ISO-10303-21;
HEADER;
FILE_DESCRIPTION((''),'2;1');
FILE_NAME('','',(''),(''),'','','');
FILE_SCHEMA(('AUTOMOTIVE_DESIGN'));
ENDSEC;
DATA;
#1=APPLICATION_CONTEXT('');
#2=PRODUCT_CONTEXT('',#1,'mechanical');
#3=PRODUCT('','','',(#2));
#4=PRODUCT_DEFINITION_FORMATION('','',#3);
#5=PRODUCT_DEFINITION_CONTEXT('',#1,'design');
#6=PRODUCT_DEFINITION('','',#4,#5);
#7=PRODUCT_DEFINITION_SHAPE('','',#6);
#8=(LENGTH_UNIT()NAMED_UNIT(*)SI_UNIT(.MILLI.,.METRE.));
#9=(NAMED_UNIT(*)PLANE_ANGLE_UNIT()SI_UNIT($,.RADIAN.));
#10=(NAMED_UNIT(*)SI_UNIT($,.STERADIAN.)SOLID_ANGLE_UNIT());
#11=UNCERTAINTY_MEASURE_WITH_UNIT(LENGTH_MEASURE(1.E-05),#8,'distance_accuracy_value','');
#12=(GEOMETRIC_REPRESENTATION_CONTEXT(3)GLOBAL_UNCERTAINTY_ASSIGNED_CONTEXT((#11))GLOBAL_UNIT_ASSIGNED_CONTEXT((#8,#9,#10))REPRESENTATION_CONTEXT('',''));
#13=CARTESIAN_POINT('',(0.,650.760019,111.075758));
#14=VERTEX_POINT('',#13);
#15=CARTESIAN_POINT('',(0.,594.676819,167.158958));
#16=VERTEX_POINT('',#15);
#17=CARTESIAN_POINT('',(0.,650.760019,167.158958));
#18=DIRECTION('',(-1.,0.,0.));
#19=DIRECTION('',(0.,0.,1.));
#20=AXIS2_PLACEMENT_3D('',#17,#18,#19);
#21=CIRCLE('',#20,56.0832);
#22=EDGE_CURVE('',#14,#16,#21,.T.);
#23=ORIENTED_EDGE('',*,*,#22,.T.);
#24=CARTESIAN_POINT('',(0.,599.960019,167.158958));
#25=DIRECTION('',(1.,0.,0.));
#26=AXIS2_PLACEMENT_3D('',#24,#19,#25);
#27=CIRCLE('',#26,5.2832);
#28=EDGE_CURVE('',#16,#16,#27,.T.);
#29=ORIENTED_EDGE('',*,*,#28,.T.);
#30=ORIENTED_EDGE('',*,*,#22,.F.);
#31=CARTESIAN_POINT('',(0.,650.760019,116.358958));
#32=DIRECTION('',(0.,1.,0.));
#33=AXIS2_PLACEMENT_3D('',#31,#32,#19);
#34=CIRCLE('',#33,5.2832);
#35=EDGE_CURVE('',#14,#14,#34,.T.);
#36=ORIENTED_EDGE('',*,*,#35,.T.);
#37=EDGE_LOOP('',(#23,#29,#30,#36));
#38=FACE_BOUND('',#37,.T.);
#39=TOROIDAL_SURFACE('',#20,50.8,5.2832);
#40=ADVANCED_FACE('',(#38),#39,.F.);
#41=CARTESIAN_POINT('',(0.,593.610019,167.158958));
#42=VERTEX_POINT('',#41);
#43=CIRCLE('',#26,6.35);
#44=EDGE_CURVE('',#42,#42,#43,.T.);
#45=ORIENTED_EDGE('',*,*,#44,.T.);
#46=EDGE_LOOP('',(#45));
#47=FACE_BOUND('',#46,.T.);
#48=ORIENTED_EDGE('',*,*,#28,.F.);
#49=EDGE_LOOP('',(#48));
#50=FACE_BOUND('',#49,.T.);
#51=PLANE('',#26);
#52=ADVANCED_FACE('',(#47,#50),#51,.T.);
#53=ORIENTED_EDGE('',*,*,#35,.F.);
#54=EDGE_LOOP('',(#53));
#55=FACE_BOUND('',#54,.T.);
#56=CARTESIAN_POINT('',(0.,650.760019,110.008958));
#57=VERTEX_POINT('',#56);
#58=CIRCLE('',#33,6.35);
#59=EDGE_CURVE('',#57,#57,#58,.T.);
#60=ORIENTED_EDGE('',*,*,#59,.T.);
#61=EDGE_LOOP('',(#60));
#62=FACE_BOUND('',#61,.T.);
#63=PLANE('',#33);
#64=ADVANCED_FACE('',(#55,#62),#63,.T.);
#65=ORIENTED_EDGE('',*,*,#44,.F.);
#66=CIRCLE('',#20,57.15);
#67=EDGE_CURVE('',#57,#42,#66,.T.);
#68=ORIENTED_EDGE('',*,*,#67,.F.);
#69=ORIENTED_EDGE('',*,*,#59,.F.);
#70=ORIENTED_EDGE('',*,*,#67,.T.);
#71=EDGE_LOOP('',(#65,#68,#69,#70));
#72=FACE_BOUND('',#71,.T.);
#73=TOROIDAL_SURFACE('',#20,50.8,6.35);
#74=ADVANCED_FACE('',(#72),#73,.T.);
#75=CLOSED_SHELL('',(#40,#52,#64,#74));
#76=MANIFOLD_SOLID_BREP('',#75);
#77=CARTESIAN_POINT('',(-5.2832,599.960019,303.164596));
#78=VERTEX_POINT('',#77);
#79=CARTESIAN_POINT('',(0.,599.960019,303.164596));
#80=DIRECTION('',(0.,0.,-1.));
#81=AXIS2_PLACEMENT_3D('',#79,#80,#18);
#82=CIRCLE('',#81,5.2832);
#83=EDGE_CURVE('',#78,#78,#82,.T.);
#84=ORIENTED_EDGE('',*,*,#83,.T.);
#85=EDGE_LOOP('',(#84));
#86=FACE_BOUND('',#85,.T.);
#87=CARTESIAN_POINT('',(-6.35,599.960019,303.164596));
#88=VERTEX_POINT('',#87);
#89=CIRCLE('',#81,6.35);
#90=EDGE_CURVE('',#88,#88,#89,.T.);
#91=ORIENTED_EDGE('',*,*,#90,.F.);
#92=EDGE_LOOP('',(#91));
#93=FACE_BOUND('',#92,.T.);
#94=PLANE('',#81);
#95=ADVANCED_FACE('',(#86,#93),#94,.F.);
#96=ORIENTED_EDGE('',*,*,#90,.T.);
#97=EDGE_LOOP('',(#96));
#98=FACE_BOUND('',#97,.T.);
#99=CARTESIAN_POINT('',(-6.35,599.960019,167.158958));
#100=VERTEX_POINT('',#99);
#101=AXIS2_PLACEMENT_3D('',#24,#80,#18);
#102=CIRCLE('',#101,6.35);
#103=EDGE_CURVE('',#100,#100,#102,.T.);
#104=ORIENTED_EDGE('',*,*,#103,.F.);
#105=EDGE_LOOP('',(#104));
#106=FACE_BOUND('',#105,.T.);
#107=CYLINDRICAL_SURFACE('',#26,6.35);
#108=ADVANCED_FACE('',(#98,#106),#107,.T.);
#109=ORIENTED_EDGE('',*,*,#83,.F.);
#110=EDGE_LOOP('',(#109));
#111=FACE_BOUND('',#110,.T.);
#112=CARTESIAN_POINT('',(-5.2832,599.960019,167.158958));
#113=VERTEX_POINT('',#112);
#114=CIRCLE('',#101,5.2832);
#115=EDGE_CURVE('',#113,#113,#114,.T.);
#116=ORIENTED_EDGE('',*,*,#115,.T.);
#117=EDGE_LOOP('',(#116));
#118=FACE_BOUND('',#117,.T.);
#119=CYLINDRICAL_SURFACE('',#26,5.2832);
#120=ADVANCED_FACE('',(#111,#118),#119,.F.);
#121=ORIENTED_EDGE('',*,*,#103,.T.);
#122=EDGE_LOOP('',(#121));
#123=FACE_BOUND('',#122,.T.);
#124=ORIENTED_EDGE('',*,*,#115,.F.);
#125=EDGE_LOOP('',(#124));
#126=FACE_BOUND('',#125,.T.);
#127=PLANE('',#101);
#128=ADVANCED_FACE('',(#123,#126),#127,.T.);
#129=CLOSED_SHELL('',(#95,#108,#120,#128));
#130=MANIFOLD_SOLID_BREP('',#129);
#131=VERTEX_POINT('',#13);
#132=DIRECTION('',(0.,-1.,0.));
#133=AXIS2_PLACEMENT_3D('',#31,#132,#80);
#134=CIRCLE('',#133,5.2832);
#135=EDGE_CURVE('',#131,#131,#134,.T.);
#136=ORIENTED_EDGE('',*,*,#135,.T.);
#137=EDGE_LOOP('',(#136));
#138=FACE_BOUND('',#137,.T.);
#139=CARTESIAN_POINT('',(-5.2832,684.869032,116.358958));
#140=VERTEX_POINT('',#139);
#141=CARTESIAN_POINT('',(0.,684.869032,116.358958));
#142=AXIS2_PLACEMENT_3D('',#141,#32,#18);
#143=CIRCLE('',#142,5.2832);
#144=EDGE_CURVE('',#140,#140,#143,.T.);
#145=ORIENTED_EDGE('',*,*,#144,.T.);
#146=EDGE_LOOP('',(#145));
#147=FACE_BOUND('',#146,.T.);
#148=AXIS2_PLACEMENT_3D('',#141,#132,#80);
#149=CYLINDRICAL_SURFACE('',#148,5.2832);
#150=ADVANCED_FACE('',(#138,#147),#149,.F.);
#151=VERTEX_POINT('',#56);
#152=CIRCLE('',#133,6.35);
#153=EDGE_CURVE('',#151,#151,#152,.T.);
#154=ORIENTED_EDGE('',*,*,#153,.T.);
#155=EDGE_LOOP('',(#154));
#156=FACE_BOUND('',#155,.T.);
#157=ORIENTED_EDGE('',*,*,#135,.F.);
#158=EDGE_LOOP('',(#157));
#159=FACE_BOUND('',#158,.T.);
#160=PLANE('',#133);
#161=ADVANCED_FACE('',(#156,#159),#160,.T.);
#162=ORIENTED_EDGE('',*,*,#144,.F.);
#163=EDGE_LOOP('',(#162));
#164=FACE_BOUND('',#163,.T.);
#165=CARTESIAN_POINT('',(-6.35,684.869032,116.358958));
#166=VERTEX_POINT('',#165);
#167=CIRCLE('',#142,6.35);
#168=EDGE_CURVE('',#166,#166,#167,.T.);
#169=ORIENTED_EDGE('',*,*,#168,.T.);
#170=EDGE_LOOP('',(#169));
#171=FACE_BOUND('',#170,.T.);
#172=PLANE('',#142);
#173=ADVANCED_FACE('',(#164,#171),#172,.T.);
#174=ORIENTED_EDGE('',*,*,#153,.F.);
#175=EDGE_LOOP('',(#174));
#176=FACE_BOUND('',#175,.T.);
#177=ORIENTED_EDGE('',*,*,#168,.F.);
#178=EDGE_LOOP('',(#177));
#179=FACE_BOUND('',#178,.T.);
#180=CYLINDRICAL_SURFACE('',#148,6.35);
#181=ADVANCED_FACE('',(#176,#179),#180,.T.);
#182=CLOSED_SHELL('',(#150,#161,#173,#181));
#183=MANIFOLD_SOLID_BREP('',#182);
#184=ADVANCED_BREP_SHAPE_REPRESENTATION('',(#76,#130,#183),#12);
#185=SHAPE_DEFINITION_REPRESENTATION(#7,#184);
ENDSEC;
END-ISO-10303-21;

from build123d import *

# Parameters (mm, degrees)
SKETCH11_R                = 6.35
SKETCH11_R_2              = 5.2832
PIPE_0_5_SCH_40_1_DEPTH   = 136.005637638
SKETCH11_ON_SEGMENT_2_R   = 6.35
SKETCH11_ON_SEGMENT_2_R_2 = 5.2832
PIPE_0_5_SCH_40_1_2_ANGLE = 90
SKETCH11_ON_SEGMENT_3_R   = 6.35
SKETCH11_ON_SEGMENT_3_R_2 = 5.2832
PIPE_0_5_SCH_40_1_3_DEPTH = 34.109012351


with BuildPart() as part:
    # Sketch11 → Pipe 0.5 SCH 40(1) (new body)
    with BuildSketch(Plane(origin=(0, 599.960019272, 303.164595711), x_dir=(0, 1, 0), z_dir=(0, 0, -1))):
        Circle(SKETCH11_R)
        Circle(SKETCH11_R_2, mode=Mode.SUBTRACT)
    extrude(amount=PIPE_0_5_SCH_40_1_DEPTH)


with BuildPart() as body_2:
    # Sketch11 on segment 2 (carried to the start of arc 2) → Pipe 0.5 SCH 40_1 2 (revolve)
    with BuildSketch(Plane(origin=(0, 599.960019272, 167.158958073), x_dir=(0, 1, 0), z_dir=(0, 0, -1))):
        Circle(SKETCH11_ON_SEGMENT_2_R)
        Circle(SKETCH11_ON_SEGMENT_2_R_2, mode=Mode.SUBTRACT)
    revolve(axis=Axis((0, 650.760019272, 167.158958073), (1, 0, 0)), revolution_arc=PIPE_0_5_SCH_40_1_2_ANGLE)


with BuildPart() as body_3:
    # Sketch11 on segment 3 (carried to segment 3) → Pipe 0.5 SCH 40_1 3 (new body)
    with BuildSketch(Plane(origin=(0, 650.760019272, 116.358958073), x_dir=(0, 0, 1), z_dir=(0, 1, 0))):
        Circle(SKETCH11_ON_SEGMENT_3_R)
        Circle(SKETCH11_ON_SEGMENT_3_R_2, mode=Mode.SUBTRACT)
    extrude(amount=PIPE_0_5_SCH_40_1_3_DEPTH)


solid = Compound([part.part, body_2.part, body_3.part])
